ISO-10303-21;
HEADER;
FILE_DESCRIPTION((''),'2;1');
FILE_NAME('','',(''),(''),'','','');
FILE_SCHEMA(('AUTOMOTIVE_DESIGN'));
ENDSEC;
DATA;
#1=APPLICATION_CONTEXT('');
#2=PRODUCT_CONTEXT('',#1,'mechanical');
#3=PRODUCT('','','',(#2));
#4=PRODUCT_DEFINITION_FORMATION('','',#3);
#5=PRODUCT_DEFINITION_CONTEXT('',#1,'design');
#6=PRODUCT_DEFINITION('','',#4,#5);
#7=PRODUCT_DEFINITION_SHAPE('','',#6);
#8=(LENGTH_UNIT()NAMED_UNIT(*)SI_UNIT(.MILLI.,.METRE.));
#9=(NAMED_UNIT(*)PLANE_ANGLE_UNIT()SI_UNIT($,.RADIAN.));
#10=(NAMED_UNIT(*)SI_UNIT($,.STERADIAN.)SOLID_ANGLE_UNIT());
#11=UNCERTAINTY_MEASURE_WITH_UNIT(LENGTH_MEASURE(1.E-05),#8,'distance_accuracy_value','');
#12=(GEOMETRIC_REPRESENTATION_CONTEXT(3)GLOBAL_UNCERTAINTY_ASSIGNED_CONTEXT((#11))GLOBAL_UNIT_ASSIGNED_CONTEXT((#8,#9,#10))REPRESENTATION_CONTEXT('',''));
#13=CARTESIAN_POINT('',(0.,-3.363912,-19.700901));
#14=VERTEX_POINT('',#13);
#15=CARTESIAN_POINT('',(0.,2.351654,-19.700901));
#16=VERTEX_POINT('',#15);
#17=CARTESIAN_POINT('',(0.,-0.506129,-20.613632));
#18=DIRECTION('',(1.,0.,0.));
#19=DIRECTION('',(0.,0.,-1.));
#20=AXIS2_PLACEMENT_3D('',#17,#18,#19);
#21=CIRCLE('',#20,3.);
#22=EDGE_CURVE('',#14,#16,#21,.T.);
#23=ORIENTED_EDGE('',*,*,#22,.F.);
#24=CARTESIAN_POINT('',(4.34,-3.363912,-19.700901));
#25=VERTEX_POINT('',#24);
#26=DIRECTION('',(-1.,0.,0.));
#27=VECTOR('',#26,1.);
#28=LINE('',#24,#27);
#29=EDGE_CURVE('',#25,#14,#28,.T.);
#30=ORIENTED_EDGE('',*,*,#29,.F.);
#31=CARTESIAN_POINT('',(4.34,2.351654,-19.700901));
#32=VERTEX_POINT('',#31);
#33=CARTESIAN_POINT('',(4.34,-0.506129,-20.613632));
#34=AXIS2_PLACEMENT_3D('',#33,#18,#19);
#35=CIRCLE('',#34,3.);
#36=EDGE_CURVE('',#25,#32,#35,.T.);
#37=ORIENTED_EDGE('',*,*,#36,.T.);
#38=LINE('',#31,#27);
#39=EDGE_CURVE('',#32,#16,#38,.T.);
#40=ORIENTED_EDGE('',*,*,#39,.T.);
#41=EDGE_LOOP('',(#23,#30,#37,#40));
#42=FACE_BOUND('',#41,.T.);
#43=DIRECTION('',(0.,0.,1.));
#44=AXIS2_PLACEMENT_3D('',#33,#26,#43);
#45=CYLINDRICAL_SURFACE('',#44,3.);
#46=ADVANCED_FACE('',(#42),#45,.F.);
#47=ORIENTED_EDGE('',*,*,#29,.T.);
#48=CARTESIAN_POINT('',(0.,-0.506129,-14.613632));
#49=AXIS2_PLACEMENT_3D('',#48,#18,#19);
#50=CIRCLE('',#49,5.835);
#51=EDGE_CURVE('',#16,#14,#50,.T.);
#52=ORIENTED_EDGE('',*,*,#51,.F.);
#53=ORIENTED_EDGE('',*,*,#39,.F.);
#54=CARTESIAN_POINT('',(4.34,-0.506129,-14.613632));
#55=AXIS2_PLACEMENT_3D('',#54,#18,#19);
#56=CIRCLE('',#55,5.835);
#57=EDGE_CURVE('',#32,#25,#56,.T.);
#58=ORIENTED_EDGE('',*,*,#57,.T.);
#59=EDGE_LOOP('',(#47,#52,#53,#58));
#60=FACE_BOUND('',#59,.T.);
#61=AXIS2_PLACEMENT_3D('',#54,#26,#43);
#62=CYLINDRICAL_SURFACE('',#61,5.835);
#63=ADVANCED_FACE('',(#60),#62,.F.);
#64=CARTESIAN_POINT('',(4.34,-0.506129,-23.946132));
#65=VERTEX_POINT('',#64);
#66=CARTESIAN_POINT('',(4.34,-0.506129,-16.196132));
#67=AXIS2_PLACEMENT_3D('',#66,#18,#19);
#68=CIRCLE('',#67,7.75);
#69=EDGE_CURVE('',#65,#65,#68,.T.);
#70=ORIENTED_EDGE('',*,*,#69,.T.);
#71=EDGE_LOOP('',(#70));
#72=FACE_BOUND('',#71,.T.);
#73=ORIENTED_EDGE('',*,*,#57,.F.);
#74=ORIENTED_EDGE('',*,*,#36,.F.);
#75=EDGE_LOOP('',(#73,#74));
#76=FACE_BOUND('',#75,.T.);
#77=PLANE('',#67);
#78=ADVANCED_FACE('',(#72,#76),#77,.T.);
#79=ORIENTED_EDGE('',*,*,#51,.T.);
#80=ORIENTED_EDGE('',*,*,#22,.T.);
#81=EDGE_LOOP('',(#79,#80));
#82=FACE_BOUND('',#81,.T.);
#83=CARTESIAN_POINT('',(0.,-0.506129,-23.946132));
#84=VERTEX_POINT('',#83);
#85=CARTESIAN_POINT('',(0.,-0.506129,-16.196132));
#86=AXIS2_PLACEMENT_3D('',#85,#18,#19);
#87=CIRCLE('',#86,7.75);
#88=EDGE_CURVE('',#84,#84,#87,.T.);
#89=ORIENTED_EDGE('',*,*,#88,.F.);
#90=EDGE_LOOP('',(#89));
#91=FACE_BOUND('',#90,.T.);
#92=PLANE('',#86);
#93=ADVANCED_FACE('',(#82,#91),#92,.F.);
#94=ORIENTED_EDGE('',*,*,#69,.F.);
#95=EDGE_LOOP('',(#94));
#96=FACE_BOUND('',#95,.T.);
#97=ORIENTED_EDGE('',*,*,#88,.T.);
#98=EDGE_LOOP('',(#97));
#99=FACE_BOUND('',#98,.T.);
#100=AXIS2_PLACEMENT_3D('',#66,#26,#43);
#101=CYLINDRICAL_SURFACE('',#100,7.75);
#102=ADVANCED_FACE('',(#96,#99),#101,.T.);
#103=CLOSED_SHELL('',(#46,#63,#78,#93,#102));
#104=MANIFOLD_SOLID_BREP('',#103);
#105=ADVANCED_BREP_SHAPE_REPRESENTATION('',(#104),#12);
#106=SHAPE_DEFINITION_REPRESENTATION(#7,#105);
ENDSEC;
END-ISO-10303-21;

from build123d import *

# Parameters (mm, degrees)
SKETCH1_R           = 7.75
BOSS_EXTRUDE1_DEPTH = 4.34


with BuildPart() as part:
    # Sketch1 → Boss-Extrude1 (new body)
    with BuildSketch(Plane(origin=(0, 0, 0), x_dir=(0, 0, -1), z_dir=(1, 0, 0))):
        with Locations((16.196131771, -0.506129118)):
            Circle(SKETCH1_R)
        with BuildLine():
            ThreePointArc((19.700900521, 2.351653531), (8.778631771, -0.506129118), (19.700900521, -3.363911766))
            ThreePointArc((19.700900521, -3.363911766), (23.613631771, -0.506129118), (19.700900521, 2.351653531))
        make_face(mode=Mode.SUBTRACT)
    extrude(amount=BOSS_EXTRUDE1_DEPTH)


solid = part.part
